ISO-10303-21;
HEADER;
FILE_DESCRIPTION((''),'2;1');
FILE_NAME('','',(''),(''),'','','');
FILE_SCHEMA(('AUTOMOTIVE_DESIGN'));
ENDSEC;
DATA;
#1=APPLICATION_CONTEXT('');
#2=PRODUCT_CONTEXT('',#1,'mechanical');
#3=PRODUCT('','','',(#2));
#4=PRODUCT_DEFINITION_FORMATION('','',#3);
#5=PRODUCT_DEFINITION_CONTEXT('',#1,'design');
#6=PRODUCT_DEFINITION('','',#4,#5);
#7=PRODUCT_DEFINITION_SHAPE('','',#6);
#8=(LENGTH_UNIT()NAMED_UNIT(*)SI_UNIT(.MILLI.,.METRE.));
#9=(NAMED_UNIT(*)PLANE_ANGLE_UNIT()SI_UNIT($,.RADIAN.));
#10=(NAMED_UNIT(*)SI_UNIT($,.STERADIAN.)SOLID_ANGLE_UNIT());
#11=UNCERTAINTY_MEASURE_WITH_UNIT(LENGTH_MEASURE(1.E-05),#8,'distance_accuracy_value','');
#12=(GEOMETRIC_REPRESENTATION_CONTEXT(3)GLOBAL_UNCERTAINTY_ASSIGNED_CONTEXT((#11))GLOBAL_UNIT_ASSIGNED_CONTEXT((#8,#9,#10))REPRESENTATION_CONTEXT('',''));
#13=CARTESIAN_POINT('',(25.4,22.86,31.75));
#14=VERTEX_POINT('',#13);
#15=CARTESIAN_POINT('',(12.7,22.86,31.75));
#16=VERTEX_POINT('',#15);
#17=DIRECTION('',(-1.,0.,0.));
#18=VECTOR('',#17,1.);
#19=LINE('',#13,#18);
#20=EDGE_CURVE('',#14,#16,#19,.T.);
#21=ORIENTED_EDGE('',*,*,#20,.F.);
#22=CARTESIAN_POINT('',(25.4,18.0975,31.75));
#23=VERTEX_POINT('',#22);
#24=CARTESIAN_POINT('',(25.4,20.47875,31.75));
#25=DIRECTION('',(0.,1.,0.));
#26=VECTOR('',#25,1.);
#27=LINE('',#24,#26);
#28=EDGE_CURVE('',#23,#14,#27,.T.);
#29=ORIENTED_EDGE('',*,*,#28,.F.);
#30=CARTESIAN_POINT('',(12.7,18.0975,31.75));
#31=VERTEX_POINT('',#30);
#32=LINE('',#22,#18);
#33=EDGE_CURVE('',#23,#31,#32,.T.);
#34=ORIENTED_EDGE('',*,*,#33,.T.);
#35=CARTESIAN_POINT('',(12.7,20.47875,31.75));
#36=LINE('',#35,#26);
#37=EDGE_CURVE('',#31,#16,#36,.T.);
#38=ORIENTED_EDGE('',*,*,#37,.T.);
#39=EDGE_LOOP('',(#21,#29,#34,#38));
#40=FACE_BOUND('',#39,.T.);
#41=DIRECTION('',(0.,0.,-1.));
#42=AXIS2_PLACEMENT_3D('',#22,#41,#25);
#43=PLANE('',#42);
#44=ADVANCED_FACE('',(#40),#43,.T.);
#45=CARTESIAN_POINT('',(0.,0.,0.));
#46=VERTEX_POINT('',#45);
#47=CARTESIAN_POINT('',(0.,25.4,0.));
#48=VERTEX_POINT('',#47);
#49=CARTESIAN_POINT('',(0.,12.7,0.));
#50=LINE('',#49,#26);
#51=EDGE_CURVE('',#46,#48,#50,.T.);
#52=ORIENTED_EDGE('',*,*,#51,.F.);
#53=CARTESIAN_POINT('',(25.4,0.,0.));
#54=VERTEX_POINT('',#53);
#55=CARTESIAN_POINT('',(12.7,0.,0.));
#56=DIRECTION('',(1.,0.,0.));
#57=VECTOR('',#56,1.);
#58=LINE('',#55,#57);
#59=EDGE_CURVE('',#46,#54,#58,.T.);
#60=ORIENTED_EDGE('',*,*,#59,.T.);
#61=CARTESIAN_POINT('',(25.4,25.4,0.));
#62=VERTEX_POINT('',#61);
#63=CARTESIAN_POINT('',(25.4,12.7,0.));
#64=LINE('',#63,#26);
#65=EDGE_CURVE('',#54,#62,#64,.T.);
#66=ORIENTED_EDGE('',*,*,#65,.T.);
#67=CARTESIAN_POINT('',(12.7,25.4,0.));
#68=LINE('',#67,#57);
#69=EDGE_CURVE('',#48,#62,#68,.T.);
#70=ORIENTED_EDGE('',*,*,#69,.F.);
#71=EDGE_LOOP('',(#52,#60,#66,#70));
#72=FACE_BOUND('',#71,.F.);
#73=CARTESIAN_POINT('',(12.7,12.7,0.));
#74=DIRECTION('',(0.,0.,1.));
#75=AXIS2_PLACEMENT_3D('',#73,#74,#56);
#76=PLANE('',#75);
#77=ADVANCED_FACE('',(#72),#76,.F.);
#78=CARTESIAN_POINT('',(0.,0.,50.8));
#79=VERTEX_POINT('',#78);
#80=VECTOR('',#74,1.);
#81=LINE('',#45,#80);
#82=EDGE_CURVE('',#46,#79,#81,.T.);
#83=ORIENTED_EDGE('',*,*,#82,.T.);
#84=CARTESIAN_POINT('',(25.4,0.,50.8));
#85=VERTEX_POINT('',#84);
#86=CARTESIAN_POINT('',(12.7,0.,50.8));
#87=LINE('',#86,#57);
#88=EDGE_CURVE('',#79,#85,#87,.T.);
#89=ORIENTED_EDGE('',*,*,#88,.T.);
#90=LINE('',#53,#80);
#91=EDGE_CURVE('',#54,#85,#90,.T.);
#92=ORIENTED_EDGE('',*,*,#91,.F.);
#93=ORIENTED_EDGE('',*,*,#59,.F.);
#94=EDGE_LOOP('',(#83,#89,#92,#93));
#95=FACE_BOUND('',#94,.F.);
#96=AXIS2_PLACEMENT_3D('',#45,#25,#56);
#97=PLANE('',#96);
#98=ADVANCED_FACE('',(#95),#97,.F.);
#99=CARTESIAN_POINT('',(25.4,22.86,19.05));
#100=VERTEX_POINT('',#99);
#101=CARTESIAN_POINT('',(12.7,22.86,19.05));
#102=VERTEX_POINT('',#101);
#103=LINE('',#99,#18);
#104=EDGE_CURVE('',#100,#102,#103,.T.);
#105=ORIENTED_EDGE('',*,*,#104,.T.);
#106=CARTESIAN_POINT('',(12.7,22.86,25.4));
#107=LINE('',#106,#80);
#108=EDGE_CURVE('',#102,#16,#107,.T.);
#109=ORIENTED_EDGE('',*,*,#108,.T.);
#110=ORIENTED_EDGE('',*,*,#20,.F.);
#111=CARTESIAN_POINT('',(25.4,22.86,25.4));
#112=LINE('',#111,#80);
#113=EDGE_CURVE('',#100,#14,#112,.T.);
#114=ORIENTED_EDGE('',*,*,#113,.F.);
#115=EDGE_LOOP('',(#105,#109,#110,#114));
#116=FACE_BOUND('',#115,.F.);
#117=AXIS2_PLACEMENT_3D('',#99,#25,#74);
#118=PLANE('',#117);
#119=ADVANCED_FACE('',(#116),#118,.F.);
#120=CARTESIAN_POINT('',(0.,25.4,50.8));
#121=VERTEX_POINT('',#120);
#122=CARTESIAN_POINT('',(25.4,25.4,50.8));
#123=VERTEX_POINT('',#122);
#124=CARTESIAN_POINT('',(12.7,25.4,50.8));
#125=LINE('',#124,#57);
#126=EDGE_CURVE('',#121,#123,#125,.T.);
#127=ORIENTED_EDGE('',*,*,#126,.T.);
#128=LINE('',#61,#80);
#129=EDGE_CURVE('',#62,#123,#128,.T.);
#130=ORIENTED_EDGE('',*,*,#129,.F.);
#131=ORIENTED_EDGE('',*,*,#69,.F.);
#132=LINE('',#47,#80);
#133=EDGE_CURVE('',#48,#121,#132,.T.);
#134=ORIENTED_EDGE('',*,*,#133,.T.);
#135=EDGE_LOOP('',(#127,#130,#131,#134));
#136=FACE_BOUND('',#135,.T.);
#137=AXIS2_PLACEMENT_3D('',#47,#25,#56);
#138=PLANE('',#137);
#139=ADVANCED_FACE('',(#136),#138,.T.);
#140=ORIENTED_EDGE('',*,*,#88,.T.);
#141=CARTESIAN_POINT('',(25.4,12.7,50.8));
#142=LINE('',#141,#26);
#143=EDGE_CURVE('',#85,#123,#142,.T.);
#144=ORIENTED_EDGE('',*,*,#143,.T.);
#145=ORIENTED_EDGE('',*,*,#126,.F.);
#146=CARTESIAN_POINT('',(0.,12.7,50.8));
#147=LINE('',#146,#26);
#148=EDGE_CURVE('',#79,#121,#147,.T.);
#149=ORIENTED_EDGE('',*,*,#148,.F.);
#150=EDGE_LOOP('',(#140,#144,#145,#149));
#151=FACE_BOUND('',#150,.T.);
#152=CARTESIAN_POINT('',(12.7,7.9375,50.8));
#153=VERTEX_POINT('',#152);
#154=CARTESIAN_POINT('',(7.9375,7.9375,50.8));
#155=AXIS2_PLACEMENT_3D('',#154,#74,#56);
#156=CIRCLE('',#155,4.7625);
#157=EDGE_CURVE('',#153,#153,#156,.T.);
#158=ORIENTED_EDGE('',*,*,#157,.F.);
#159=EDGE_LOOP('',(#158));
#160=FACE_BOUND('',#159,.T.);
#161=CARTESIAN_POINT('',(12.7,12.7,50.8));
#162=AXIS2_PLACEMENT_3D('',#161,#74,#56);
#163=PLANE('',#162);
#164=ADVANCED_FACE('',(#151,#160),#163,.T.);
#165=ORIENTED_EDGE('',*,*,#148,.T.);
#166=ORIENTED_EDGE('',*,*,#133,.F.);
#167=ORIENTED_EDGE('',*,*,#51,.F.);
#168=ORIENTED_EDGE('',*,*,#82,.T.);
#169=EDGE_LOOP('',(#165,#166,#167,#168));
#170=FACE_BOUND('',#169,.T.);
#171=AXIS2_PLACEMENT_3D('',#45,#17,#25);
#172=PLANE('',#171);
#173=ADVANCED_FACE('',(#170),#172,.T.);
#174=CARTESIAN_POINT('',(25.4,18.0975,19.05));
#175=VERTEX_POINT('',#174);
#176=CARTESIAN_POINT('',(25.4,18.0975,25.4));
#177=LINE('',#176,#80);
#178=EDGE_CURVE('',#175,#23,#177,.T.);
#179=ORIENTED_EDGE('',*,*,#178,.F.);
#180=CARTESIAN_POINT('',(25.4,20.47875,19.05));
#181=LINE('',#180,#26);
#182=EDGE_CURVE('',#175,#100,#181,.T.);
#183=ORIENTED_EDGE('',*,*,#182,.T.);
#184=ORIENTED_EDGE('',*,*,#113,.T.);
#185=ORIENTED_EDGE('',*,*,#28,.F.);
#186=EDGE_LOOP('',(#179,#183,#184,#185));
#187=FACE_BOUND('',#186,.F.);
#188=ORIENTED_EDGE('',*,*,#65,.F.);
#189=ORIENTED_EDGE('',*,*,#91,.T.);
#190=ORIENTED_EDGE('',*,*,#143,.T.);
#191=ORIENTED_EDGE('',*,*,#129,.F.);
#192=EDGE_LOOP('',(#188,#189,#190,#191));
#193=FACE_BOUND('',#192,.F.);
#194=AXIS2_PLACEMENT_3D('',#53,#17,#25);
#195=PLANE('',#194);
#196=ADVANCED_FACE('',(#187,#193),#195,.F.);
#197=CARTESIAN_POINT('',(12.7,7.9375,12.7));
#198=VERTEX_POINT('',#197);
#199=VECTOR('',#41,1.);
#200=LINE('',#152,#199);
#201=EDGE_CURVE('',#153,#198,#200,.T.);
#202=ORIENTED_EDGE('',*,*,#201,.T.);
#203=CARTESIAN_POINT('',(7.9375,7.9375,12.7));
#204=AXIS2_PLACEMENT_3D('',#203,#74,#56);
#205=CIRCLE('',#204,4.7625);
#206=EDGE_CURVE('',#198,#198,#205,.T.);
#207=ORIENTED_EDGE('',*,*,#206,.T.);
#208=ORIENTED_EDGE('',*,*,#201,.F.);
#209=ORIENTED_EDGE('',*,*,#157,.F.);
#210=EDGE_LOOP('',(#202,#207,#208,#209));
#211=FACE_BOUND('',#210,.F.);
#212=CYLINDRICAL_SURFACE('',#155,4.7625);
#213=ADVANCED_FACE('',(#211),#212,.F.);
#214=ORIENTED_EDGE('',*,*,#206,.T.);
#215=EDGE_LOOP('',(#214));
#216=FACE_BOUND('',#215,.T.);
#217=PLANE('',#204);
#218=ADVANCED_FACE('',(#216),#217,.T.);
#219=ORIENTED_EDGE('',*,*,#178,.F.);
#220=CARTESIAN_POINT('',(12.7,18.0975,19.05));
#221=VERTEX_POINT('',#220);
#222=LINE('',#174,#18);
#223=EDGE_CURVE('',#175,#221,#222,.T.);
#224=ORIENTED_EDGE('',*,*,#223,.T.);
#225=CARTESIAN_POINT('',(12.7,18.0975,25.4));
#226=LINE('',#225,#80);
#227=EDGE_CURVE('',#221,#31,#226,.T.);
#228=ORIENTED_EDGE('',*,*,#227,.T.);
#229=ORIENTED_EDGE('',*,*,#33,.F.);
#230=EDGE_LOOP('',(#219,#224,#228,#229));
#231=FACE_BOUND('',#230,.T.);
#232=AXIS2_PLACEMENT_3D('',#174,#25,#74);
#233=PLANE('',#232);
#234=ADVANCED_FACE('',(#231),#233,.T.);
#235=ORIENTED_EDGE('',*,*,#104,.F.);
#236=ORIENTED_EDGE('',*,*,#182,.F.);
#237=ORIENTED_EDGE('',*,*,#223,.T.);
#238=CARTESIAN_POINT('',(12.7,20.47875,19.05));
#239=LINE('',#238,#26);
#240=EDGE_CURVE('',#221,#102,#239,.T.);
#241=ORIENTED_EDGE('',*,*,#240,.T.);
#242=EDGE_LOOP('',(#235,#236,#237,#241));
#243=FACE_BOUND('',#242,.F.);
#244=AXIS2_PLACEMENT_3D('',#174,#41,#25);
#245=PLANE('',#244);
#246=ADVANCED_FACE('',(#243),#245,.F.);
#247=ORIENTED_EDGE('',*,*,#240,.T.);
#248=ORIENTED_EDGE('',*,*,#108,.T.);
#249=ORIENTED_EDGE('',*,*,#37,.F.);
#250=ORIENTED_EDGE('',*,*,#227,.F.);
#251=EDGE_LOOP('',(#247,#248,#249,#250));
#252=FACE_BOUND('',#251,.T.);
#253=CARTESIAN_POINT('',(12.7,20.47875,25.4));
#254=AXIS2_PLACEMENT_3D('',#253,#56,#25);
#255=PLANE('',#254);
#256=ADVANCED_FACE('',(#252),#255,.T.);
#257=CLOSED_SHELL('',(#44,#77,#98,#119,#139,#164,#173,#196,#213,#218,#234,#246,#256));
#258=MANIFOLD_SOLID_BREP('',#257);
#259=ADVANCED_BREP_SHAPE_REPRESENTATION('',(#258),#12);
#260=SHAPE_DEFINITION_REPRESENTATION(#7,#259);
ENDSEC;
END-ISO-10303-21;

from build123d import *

# Parameters (mm, degrees)
F0_W     = 25.4
F0_H     = 25.4
F1_DEPTH = 50.8
F2_R     = 4.7625
F3_DEPTH = 38.1
F4_W     = 4.7625
F4_H     = 12.7
F5_DEPTH = 12.7


with BuildPart() as f1:
    # F0 (on Top) → F1 (new body)
    with BuildSketch(Plane.XY):
        with Locations((12.7, 12.7)):
            Rectangle(F0_W, F0_H)
    extrude(amount=F1_DEPTH)

    # F2 (on face) → F3 (cut)
    with BuildSketch(Plane.XY.offset(50.8)):
        with Locations((7.9375, 7.9375)):
            Circle(F2_R)
    extrude(amount=-F3_DEPTH, mode=Mode.SUBTRACT)

    # F4 (on face) → F5 (cut)
    with BuildSketch(Plane.YZ.offset(25.4)):
        with Locations((20.47875, 25.4)):
            Rectangle(F4_W, F4_H)
    extrude(amount=-F5_DEPTH, mode=Mode.SUBTRACT)


solid = f1.part
